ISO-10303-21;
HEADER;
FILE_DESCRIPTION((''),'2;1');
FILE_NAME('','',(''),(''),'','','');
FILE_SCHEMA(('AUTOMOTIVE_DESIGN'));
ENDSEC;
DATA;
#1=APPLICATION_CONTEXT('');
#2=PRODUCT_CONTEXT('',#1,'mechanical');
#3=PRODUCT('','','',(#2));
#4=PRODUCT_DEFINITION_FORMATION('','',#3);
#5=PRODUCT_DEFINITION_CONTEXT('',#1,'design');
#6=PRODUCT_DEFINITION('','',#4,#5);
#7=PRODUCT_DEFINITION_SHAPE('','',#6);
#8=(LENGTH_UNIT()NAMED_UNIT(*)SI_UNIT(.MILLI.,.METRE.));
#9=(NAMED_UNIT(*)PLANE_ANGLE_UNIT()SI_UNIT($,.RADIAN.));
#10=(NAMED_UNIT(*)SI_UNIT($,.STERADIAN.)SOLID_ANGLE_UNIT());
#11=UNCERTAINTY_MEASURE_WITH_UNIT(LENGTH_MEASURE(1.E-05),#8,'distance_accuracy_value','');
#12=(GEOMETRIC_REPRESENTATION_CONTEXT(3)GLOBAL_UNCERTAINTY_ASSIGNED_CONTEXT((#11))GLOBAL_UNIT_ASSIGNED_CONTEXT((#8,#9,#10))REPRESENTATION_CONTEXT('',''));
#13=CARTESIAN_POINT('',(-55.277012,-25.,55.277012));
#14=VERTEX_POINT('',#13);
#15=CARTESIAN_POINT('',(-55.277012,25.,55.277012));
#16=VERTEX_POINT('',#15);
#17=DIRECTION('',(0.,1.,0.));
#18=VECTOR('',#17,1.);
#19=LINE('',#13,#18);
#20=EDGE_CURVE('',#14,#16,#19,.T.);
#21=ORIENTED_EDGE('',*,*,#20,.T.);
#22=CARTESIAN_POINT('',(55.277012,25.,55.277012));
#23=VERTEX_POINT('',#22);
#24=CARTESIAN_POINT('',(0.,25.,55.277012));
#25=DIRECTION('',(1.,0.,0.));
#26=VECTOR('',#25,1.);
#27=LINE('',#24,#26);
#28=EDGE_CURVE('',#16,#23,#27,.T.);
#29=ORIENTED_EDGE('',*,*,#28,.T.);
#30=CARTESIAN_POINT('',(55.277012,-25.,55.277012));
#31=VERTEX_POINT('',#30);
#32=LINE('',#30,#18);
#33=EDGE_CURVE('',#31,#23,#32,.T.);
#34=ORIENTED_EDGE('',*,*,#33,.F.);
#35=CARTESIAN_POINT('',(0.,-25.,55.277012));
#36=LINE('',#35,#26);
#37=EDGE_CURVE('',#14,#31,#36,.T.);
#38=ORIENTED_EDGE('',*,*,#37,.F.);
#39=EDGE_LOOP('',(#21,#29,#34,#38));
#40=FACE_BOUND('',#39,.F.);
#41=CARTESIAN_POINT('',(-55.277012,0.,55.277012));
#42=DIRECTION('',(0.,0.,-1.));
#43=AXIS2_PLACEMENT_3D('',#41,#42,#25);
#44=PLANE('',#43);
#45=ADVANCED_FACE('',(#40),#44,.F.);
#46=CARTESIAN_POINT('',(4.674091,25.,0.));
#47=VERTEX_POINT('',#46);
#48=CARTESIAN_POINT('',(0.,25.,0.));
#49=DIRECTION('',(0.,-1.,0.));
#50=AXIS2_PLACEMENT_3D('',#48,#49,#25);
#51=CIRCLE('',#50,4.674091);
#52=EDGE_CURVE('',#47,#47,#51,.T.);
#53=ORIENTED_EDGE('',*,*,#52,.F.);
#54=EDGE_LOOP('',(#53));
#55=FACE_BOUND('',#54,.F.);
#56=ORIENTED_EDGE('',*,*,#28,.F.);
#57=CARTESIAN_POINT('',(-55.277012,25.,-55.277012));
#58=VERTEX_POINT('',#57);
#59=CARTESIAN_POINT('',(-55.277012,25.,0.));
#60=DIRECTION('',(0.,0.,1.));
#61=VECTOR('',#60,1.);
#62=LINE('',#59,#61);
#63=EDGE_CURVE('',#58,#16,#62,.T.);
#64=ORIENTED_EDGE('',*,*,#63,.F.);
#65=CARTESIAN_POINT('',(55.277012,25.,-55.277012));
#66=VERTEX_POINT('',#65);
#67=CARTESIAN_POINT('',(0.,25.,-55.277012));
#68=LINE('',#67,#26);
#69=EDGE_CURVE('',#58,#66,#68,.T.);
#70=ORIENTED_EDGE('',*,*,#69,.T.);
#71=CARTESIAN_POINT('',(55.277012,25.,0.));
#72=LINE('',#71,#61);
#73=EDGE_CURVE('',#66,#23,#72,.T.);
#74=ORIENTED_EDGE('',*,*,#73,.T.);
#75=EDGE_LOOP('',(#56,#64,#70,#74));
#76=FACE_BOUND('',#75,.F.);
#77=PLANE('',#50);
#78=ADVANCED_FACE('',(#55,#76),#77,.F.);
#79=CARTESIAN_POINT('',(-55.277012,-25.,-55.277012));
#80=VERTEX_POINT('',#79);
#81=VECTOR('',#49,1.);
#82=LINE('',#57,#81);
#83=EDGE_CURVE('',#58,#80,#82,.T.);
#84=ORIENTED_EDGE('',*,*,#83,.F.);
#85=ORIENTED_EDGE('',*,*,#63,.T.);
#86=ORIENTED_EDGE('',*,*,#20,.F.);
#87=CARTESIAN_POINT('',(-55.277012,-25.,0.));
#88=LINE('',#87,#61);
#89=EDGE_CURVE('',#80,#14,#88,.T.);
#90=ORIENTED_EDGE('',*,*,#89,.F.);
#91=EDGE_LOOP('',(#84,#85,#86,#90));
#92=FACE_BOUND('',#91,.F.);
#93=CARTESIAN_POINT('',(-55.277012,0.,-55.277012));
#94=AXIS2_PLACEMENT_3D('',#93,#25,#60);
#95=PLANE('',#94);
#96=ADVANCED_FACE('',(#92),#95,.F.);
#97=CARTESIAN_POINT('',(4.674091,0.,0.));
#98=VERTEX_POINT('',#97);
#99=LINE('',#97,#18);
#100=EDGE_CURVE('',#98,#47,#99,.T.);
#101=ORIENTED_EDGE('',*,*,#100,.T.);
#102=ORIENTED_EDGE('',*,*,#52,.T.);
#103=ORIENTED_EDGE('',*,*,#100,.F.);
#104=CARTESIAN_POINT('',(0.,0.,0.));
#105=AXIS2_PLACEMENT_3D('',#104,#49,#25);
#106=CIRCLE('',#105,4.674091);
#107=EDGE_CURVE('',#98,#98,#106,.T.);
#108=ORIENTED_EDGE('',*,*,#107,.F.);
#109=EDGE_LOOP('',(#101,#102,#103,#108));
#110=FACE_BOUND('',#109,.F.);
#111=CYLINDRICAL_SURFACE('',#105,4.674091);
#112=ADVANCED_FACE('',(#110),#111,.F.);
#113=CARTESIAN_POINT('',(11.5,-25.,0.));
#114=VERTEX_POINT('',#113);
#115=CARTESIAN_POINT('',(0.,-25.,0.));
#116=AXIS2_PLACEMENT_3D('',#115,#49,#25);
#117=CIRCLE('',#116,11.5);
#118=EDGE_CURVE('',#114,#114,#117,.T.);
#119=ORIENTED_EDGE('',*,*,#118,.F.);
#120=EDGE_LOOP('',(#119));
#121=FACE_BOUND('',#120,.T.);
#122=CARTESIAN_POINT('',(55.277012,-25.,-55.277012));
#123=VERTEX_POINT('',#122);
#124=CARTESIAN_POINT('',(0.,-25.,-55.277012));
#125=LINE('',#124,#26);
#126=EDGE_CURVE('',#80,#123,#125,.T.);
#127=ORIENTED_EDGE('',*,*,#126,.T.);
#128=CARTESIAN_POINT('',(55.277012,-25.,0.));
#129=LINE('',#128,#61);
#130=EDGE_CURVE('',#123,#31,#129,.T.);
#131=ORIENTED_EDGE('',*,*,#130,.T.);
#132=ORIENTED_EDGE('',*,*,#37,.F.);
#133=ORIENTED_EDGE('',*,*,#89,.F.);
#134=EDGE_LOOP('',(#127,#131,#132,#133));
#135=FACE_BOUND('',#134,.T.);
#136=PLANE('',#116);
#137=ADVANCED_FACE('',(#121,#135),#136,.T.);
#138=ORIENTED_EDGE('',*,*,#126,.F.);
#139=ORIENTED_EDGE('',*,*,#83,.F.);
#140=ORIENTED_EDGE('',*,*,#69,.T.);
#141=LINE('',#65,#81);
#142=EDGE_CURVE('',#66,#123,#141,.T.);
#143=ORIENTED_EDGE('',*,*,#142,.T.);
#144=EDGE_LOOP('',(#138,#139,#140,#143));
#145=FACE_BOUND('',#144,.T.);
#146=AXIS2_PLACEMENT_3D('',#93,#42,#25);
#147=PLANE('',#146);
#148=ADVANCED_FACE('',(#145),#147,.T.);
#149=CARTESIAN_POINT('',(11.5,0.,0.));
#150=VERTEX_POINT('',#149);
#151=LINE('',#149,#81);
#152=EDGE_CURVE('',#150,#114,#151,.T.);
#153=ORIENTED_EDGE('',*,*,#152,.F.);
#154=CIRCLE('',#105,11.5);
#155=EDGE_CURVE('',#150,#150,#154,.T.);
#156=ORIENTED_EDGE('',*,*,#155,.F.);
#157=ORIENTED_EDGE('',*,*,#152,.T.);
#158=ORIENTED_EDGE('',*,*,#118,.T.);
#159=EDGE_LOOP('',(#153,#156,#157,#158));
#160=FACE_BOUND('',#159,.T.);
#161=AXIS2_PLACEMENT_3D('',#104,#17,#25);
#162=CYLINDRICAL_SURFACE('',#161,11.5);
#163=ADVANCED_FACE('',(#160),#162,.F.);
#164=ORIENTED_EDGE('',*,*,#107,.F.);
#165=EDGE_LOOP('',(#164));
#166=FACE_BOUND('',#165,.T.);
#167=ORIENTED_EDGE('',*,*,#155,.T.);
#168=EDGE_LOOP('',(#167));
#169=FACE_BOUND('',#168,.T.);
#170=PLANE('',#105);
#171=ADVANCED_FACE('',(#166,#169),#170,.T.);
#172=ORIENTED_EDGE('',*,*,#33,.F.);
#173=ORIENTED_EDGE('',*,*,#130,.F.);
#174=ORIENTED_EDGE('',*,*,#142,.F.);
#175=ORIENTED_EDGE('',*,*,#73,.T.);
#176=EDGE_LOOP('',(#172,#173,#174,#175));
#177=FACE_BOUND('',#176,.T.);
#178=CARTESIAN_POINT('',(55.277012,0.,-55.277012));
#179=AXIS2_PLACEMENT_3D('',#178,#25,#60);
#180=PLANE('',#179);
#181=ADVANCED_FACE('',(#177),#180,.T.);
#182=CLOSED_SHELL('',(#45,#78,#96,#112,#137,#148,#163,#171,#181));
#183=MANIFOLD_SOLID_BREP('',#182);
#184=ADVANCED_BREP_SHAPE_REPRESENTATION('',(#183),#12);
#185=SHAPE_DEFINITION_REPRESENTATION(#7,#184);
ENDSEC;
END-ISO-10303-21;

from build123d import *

# Parameters (mm, degrees)
F0_W     = 110.554024
F0_H     = 110.554024
F1_DEPTH = 25
F2_R     = 11.5
F3_DEPTH = 25
F4_R     = 4.674091
F5_DEPTH = 25


with BuildPart() as f1:
    # F0 (on Front) → F1 (new body, symmetric)
    with BuildSketch(Plane.XZ):
        Rectangle(F0_W, F0_H)
    extrude(amount=F1_DEPTH, both=True)

    # F2 (on Front) → F3 (cut, through all)
    with BuildSketch(Plane.XZ):
        Circle(F2_R)
    extrude(amount=F3_DEPTH, mode=Mode.SUBTRACT)

    # F4 (on face) → F5 (cut, through all)
    with BuildSketch(Plane.XZ):
        Circle(F4_R)
    extrude(amount=-F5_DEPTH, mode=Mode.SUBTRACT)


solid = f1.part
